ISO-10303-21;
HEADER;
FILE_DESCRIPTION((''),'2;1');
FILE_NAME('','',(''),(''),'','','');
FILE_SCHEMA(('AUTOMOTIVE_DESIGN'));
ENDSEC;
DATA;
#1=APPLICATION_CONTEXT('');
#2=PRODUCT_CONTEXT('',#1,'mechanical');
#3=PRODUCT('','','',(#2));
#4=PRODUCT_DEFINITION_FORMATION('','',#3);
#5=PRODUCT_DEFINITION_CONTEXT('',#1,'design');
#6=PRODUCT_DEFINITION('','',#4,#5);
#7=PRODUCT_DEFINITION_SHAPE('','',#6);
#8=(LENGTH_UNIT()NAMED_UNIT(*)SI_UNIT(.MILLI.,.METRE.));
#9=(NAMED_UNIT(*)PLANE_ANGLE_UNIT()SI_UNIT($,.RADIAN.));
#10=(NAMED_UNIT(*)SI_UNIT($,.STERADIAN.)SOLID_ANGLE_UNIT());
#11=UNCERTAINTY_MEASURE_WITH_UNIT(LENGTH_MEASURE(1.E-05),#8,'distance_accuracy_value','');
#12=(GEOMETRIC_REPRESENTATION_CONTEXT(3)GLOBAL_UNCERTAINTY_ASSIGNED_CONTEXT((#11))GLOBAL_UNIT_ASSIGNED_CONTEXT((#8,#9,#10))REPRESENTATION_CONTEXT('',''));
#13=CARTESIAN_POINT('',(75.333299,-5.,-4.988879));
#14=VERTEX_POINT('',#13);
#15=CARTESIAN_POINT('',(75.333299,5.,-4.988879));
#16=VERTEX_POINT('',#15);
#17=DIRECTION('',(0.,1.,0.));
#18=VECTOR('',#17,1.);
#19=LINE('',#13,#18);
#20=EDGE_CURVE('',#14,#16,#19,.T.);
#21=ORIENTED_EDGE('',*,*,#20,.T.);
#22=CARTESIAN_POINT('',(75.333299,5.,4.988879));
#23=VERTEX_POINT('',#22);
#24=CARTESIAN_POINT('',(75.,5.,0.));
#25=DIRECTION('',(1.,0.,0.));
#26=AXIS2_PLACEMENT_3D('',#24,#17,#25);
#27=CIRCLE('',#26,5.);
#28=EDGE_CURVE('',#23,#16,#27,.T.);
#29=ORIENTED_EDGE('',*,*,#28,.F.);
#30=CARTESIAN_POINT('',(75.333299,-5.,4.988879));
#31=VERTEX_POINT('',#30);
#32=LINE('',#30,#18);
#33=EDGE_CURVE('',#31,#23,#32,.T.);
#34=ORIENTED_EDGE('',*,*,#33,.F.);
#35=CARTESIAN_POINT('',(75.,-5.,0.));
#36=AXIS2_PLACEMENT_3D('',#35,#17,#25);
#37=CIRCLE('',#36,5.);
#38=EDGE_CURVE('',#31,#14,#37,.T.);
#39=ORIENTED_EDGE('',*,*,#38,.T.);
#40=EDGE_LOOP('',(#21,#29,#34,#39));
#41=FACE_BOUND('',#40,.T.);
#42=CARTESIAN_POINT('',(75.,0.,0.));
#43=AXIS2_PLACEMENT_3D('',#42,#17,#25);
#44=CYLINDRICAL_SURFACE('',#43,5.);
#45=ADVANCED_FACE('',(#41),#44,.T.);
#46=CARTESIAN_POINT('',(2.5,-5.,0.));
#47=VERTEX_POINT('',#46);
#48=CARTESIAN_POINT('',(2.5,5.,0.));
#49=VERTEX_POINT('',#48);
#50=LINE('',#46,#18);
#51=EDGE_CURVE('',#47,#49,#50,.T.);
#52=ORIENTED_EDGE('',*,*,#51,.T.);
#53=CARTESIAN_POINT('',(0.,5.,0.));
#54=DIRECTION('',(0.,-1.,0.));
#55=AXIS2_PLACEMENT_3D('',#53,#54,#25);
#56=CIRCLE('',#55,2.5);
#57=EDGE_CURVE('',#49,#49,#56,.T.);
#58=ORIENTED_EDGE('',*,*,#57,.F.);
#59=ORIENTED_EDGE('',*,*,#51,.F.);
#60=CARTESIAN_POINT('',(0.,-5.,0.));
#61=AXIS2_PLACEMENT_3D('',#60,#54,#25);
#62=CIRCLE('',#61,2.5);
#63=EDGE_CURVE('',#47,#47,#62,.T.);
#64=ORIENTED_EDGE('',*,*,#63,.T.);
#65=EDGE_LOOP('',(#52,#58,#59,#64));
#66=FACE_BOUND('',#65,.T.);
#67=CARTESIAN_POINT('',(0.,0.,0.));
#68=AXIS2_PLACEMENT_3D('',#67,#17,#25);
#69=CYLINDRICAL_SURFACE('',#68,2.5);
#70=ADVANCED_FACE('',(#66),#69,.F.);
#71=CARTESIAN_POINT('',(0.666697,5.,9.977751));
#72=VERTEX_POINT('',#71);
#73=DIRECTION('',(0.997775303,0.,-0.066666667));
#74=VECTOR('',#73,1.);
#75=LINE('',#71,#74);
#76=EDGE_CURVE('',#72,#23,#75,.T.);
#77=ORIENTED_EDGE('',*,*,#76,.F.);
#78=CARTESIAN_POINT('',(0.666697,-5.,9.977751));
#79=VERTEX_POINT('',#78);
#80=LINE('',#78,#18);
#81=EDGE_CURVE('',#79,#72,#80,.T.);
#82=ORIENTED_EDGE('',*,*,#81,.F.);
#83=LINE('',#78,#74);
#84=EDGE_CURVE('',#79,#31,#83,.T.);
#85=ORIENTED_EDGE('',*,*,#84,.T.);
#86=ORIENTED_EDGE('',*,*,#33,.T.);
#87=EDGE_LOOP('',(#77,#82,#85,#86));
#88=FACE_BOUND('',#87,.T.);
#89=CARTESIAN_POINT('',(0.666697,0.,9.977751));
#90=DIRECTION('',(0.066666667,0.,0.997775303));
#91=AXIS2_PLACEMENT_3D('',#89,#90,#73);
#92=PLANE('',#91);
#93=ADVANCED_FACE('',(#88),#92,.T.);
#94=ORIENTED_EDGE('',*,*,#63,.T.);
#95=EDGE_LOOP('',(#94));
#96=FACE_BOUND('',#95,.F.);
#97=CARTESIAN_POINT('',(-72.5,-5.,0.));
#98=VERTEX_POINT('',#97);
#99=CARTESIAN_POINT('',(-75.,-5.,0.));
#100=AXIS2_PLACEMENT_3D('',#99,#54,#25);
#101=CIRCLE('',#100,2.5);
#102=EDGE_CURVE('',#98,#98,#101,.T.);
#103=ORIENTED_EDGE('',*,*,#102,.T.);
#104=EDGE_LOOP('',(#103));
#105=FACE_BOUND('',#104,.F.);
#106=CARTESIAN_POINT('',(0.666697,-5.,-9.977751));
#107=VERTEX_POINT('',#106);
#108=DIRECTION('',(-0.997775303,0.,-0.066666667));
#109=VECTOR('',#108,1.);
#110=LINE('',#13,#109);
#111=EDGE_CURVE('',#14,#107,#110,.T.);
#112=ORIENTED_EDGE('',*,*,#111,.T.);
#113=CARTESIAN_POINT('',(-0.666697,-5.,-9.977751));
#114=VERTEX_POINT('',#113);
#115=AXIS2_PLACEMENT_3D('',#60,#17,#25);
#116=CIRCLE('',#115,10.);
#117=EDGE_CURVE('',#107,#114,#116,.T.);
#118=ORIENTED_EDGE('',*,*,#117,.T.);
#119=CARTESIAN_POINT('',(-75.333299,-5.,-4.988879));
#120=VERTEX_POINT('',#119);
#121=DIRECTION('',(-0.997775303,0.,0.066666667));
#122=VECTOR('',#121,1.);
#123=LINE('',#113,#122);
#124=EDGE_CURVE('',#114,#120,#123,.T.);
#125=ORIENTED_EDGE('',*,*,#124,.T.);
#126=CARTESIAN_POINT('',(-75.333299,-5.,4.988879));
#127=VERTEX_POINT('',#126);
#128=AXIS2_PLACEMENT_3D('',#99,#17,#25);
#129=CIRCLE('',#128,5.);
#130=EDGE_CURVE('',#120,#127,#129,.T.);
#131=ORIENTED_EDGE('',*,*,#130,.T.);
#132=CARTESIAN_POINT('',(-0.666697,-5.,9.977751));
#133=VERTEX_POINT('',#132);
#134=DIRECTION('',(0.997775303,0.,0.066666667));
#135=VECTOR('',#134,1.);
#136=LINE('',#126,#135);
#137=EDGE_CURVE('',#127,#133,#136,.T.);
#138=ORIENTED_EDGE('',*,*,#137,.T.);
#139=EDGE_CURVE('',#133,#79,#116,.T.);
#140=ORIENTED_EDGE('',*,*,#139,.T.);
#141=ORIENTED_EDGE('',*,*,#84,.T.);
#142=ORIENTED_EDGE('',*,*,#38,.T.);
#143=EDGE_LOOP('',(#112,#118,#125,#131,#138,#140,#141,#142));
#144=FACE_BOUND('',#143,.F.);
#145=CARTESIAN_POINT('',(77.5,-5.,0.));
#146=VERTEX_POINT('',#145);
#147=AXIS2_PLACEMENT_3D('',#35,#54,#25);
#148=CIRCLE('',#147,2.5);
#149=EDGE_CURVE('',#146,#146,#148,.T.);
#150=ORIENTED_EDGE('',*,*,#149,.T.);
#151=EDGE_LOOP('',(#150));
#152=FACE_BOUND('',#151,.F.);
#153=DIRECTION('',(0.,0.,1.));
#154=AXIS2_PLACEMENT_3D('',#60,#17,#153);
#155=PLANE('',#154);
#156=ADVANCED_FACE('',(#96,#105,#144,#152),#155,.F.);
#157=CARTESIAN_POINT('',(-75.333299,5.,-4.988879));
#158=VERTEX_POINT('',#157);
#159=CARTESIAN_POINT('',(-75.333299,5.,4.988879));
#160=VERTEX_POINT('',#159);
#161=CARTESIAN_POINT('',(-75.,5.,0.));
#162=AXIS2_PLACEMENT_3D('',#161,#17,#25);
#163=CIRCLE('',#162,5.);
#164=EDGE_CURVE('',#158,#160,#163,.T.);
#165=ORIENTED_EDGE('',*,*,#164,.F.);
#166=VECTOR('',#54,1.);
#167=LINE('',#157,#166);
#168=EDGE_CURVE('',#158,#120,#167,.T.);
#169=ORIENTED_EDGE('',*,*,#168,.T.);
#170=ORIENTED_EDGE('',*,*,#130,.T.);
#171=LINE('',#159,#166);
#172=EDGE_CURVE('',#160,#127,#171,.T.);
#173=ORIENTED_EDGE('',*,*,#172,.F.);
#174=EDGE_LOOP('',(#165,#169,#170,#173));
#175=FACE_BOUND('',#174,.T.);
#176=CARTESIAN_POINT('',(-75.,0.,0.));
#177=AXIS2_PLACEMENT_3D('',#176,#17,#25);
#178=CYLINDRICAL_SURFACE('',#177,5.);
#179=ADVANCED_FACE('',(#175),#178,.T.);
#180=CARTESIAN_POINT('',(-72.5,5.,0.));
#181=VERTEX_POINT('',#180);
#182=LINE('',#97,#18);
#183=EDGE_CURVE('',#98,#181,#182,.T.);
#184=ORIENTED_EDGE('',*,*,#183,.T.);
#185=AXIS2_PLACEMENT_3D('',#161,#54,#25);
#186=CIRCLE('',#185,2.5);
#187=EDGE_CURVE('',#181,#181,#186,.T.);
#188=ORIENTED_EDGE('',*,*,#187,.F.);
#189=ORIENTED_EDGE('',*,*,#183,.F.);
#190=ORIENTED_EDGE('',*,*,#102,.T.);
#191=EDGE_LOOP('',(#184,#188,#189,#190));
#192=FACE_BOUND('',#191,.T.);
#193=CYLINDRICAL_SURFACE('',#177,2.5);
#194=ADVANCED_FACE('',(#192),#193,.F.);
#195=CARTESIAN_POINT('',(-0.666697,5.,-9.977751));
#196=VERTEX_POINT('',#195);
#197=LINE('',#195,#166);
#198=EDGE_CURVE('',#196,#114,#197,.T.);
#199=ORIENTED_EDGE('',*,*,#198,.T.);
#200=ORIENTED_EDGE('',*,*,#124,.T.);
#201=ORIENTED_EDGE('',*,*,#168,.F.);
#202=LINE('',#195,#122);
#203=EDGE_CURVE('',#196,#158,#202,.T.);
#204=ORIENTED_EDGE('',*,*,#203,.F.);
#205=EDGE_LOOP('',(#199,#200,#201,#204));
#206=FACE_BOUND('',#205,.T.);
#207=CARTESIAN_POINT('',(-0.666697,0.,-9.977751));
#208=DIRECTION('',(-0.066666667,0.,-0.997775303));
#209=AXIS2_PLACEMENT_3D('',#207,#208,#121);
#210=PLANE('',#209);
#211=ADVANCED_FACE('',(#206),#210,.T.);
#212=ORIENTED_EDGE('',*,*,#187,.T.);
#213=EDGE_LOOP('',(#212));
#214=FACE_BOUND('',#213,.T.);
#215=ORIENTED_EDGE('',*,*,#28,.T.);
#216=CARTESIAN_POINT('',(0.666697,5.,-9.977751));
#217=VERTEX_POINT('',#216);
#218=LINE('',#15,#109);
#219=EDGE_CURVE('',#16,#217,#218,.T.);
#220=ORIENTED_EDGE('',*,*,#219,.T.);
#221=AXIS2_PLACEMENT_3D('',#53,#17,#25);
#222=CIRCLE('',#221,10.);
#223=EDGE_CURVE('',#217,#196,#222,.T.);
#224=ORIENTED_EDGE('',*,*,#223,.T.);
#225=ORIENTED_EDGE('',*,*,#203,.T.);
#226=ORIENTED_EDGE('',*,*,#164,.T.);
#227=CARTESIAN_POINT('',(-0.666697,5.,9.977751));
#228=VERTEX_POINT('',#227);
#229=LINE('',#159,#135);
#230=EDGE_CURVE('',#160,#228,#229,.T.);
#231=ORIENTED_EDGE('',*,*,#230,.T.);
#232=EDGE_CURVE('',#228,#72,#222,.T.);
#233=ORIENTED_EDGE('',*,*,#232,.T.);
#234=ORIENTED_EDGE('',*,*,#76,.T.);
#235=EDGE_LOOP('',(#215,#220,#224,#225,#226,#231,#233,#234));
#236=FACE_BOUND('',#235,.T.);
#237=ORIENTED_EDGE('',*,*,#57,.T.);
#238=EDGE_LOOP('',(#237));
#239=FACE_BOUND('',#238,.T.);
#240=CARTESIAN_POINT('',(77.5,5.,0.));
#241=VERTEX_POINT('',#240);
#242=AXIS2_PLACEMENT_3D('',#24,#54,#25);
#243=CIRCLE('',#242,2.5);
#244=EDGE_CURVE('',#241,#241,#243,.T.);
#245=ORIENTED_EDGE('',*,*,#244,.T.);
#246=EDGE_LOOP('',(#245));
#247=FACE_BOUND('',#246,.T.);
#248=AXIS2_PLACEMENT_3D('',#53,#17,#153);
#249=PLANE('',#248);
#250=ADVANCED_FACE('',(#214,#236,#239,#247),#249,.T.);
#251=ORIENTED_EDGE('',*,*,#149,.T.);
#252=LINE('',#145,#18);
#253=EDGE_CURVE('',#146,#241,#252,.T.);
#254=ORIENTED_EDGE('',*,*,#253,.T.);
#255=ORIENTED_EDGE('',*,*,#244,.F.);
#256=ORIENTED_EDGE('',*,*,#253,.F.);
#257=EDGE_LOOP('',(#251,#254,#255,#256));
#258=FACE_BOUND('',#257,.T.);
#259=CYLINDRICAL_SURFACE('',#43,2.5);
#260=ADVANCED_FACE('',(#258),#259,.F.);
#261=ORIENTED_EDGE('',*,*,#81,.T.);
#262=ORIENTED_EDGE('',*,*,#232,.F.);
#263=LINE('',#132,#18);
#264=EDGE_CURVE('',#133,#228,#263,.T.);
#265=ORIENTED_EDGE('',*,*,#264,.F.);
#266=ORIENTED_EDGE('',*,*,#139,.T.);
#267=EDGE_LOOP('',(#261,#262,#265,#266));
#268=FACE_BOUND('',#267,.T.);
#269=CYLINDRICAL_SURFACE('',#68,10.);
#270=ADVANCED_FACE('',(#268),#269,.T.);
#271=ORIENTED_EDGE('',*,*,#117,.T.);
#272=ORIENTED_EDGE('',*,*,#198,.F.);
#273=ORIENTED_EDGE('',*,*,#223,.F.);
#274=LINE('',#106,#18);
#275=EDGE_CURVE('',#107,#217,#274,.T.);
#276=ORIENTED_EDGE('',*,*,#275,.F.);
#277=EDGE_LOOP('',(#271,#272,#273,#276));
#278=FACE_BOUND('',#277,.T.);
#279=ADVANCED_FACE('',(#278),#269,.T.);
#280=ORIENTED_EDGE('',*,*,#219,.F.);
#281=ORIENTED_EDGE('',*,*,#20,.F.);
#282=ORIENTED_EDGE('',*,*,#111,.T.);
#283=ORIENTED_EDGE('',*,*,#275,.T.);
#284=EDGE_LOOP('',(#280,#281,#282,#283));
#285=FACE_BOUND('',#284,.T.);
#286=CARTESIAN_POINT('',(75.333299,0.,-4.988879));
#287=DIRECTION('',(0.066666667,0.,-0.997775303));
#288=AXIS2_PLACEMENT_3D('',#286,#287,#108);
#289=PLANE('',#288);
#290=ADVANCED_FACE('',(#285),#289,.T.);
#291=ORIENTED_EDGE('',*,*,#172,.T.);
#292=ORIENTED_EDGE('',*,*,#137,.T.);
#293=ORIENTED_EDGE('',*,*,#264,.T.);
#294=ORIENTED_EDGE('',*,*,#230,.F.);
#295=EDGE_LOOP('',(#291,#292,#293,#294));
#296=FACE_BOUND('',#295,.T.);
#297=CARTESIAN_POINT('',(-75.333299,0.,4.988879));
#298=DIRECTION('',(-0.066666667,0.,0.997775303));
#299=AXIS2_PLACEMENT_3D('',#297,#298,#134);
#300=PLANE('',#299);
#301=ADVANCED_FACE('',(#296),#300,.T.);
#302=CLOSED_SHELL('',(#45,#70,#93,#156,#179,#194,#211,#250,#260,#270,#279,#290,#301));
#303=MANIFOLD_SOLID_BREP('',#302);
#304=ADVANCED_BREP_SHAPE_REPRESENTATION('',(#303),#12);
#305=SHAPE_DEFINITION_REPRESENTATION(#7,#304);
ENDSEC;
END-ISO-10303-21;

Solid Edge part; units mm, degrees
sketch "Sketch1" plane through (0, 0, 0) normal (0, -1, 0) x (1, 0, 0)
  circle A0 centre (75, 0) radius 2.5
  line L0 (-75.3333, 4.9889) -> (-0.6667, 9.9778)
  line L1 (0.6667, 9.9778) -> (75.3333, 4.9889)
  line L2 (75.3333, -4.9889) -> (0.6667, -9.9778)
  arc A1 (0.6667, -9.9778) -> (-0.6667, -9.9778) centre (0, 0) cw
  line L3 (-0.6667, -9.9778) -> (-75.3333, -4.9889)
  arc A2 (-75.3333, -4.9889) -> (-75.3333, 4.9889) centre (-75, 0) cw
  arc A3 (-0.6667, 9.9778) -> (0.6667, 9.9778) centre (0, 0) cw
  arc A4 (75.3333, 4.9889) -> (75.3333, -4.9889) centre (75, 0) cw
  circle A5 centre (0, 0) radius 2.5
  circle A6 centre (-75, 0) radius 2.5
extrude "Protrusion1" add sketch "Sketch1" along normal mid plane 10
